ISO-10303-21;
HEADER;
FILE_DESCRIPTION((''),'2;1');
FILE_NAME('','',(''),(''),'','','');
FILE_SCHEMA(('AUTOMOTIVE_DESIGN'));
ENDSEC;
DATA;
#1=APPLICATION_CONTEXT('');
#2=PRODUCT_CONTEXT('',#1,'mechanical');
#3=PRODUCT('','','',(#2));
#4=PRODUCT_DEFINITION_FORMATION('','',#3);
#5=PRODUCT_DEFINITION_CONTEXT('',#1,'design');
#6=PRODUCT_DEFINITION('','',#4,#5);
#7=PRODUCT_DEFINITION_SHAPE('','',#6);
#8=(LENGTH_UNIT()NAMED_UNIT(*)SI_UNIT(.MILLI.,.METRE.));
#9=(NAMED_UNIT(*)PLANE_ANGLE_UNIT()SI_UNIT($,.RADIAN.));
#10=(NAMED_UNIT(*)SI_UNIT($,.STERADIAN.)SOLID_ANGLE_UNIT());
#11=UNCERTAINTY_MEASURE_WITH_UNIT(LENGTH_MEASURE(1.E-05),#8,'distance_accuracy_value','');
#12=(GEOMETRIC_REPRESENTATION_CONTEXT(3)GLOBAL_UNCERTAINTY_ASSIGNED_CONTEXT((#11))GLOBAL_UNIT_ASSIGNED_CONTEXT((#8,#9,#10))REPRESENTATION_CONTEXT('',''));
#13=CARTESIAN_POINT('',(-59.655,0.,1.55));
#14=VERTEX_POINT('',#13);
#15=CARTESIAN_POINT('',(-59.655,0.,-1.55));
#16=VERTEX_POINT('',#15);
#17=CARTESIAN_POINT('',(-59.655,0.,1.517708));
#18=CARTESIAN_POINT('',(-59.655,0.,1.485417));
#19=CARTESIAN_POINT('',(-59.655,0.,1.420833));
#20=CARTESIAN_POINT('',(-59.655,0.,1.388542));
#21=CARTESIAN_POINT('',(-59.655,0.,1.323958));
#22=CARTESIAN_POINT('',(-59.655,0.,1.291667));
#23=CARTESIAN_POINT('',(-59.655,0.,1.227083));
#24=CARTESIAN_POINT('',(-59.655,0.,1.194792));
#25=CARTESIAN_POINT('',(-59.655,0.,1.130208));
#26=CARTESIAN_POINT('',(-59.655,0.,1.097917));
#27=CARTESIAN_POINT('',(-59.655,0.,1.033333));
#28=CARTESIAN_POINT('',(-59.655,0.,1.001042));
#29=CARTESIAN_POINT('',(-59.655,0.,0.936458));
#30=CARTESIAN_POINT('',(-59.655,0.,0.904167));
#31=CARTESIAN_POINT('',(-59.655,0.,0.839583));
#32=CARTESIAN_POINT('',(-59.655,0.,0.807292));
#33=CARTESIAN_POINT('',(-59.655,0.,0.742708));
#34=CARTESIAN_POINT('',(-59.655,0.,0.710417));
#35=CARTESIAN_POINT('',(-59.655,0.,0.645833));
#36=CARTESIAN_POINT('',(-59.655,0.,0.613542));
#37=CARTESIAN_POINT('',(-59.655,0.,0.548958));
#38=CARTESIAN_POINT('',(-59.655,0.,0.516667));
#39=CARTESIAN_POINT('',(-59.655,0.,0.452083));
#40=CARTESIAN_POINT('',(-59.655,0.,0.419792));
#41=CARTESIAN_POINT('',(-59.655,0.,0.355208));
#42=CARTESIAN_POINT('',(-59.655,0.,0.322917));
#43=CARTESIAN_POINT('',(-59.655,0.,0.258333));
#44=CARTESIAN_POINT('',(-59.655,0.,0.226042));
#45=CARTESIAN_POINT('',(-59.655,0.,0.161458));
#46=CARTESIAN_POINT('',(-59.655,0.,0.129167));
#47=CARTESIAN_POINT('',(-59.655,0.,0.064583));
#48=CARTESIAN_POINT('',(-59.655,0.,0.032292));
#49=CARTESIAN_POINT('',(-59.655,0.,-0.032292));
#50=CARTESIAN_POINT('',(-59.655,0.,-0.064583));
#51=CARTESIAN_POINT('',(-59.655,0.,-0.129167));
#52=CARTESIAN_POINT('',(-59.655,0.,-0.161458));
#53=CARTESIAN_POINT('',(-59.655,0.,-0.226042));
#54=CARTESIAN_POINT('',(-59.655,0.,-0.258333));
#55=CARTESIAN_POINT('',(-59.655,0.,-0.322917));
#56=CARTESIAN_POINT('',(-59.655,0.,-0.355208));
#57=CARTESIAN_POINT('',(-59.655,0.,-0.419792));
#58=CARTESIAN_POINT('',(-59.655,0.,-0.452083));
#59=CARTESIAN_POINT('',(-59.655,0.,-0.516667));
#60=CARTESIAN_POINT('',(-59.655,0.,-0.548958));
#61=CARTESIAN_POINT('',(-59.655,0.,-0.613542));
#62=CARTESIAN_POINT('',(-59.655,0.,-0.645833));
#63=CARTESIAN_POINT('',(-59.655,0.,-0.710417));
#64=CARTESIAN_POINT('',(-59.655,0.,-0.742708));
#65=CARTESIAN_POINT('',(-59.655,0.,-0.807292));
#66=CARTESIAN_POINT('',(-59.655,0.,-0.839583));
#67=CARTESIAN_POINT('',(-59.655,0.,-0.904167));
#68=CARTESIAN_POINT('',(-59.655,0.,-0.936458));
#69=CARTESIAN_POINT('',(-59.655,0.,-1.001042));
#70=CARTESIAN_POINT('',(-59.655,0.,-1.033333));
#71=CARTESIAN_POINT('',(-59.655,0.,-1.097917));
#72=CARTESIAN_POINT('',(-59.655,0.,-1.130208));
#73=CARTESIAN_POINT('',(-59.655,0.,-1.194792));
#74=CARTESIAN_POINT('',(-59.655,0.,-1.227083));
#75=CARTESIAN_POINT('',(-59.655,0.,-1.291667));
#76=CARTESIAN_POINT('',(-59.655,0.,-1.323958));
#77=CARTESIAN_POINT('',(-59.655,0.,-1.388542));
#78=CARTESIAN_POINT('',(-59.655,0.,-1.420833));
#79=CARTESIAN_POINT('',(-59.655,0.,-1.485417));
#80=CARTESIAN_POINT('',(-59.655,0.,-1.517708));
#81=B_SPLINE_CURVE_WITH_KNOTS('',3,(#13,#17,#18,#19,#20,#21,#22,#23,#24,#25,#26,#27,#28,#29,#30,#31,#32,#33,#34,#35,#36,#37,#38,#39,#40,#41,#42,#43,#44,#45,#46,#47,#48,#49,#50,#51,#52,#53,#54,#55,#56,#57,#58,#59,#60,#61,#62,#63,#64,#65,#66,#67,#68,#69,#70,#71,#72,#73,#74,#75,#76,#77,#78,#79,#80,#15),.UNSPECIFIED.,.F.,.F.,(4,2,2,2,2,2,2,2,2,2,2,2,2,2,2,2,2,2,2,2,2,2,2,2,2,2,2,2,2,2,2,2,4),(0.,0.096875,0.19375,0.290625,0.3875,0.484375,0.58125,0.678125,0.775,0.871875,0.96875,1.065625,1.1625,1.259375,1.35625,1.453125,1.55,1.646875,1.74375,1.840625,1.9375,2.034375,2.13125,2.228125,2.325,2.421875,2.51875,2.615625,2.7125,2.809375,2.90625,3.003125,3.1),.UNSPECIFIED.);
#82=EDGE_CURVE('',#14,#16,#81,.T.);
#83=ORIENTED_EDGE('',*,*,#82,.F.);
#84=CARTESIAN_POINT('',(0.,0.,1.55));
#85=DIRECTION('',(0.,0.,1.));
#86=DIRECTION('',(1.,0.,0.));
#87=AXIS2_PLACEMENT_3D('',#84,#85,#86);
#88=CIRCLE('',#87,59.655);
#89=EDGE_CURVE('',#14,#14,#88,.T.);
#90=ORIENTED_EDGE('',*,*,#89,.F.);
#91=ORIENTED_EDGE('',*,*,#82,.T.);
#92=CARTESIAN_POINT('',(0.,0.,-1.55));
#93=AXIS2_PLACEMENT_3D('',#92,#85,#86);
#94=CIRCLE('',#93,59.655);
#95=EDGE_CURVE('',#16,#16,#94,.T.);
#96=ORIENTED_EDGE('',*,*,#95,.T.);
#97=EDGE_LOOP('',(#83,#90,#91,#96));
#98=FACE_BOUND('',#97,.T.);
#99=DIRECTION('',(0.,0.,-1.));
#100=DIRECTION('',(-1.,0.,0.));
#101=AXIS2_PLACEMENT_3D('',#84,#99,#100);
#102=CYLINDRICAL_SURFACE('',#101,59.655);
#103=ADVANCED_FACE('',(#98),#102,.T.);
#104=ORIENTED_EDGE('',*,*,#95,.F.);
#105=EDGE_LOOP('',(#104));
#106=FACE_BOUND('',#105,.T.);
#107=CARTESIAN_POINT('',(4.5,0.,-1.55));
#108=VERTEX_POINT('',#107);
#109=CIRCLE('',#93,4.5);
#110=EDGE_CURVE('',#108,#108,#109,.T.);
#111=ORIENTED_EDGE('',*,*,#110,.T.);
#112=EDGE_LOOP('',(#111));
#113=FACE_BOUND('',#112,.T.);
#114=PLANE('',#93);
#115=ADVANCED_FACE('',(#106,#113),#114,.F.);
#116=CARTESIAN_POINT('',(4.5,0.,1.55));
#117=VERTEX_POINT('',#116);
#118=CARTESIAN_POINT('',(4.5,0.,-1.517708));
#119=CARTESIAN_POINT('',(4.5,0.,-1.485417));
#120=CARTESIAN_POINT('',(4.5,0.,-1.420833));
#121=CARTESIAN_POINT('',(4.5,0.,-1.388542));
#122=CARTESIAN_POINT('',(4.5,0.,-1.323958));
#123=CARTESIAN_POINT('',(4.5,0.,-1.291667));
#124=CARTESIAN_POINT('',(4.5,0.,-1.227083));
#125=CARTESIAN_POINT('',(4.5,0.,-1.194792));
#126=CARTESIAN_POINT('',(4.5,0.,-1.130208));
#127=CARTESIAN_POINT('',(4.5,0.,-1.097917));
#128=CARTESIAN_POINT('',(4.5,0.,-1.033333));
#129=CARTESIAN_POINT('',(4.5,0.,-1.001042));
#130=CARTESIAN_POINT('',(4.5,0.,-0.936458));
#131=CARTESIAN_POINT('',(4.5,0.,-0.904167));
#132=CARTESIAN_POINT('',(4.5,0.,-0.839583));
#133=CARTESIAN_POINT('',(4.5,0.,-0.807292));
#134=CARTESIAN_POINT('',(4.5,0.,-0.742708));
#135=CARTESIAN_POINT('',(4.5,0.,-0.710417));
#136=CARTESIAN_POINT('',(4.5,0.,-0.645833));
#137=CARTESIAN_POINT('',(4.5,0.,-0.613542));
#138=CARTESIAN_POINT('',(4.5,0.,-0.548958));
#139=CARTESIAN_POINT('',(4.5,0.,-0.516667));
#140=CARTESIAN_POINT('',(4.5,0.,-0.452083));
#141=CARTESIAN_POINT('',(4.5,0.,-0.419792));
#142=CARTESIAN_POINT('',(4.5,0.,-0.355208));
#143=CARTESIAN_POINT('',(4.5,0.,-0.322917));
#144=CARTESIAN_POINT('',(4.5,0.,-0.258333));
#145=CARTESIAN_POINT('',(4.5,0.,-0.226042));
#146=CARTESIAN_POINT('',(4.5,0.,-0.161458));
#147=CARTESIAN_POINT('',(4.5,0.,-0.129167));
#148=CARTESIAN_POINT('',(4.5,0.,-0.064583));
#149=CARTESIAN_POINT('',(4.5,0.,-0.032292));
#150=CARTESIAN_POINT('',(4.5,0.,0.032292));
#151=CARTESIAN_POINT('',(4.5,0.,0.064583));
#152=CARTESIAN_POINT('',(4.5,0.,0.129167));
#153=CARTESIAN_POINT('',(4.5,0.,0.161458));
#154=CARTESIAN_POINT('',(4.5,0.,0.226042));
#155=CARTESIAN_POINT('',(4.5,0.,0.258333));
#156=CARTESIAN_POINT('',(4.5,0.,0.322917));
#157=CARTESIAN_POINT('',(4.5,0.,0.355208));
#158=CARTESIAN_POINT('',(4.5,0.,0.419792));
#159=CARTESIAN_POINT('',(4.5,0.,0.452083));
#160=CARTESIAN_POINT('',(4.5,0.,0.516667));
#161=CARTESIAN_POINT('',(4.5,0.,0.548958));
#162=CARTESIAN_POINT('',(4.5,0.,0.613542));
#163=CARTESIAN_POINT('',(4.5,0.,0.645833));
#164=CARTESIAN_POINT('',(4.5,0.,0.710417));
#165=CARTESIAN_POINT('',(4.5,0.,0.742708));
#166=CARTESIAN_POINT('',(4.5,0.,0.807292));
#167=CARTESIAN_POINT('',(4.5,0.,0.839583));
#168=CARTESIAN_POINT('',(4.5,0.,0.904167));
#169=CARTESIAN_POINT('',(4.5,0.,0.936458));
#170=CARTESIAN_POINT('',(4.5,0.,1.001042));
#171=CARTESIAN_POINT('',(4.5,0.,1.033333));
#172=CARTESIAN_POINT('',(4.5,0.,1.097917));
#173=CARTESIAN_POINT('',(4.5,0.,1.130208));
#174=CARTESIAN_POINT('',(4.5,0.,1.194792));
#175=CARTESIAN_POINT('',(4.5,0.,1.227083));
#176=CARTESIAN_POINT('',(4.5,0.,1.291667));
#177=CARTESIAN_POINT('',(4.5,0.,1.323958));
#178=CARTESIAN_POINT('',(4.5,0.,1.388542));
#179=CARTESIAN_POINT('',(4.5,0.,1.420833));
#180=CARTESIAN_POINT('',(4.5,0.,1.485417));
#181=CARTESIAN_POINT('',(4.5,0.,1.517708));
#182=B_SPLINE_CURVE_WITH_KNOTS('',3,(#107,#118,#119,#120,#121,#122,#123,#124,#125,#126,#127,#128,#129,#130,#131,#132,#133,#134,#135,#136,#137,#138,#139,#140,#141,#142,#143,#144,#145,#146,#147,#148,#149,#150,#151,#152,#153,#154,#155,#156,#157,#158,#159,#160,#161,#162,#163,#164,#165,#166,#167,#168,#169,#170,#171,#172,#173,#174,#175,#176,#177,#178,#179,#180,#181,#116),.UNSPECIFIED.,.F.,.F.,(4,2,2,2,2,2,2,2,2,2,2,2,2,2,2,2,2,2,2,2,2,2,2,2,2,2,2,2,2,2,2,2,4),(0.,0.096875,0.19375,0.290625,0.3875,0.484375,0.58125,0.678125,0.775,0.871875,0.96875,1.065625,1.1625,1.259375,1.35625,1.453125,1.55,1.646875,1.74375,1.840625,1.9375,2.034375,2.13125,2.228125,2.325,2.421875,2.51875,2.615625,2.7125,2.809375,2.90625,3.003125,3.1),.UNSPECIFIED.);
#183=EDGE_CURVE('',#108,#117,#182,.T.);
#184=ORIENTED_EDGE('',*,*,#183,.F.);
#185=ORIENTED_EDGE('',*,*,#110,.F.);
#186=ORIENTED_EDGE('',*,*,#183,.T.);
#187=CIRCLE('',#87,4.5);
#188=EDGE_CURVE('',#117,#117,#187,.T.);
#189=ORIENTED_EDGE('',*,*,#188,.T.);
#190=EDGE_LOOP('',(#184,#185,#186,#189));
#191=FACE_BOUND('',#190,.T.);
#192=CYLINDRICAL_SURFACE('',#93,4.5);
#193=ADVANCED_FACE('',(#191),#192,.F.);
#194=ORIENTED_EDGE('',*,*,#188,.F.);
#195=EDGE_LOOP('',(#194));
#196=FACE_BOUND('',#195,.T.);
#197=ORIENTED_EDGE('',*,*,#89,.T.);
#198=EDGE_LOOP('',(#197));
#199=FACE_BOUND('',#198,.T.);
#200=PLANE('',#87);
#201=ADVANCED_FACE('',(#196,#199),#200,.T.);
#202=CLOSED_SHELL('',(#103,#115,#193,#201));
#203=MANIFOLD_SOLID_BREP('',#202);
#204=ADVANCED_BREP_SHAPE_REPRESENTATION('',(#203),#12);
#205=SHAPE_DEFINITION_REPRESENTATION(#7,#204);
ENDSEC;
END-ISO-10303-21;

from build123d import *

# Parameters (mm, degrees)
SKETCH1_R           = 59.655
BOSS_EXTRUDE1_DEPTH = 1.55
SKETCH2_R           = 4.5
CUT_EXTRUDE1_DEPTH  = 85.42184581


with BuildPart() as part:
    # Sketch1 → Boss-Extrude1 (new, symmetric)
    with BuildSketch(Plane.XY):
        with Locations(Location((0, 0, 0), (0, 0, 180))):
            Circle(SKETCH1_R)
    extrude(amount=BOSS_EXTRUDE1_DEPTH, both=True)

    # Sketch2 → Cut-Extrude1 (cut, through all)
    with BuildSketch(Plane.XY.offset(1.55)):
        Circle(SKETCH2_R)
    extrude(amount=-CUT_EXTRUDE1_DEPTH, mode=Mode.SUBTRACT)


solid = part.part
